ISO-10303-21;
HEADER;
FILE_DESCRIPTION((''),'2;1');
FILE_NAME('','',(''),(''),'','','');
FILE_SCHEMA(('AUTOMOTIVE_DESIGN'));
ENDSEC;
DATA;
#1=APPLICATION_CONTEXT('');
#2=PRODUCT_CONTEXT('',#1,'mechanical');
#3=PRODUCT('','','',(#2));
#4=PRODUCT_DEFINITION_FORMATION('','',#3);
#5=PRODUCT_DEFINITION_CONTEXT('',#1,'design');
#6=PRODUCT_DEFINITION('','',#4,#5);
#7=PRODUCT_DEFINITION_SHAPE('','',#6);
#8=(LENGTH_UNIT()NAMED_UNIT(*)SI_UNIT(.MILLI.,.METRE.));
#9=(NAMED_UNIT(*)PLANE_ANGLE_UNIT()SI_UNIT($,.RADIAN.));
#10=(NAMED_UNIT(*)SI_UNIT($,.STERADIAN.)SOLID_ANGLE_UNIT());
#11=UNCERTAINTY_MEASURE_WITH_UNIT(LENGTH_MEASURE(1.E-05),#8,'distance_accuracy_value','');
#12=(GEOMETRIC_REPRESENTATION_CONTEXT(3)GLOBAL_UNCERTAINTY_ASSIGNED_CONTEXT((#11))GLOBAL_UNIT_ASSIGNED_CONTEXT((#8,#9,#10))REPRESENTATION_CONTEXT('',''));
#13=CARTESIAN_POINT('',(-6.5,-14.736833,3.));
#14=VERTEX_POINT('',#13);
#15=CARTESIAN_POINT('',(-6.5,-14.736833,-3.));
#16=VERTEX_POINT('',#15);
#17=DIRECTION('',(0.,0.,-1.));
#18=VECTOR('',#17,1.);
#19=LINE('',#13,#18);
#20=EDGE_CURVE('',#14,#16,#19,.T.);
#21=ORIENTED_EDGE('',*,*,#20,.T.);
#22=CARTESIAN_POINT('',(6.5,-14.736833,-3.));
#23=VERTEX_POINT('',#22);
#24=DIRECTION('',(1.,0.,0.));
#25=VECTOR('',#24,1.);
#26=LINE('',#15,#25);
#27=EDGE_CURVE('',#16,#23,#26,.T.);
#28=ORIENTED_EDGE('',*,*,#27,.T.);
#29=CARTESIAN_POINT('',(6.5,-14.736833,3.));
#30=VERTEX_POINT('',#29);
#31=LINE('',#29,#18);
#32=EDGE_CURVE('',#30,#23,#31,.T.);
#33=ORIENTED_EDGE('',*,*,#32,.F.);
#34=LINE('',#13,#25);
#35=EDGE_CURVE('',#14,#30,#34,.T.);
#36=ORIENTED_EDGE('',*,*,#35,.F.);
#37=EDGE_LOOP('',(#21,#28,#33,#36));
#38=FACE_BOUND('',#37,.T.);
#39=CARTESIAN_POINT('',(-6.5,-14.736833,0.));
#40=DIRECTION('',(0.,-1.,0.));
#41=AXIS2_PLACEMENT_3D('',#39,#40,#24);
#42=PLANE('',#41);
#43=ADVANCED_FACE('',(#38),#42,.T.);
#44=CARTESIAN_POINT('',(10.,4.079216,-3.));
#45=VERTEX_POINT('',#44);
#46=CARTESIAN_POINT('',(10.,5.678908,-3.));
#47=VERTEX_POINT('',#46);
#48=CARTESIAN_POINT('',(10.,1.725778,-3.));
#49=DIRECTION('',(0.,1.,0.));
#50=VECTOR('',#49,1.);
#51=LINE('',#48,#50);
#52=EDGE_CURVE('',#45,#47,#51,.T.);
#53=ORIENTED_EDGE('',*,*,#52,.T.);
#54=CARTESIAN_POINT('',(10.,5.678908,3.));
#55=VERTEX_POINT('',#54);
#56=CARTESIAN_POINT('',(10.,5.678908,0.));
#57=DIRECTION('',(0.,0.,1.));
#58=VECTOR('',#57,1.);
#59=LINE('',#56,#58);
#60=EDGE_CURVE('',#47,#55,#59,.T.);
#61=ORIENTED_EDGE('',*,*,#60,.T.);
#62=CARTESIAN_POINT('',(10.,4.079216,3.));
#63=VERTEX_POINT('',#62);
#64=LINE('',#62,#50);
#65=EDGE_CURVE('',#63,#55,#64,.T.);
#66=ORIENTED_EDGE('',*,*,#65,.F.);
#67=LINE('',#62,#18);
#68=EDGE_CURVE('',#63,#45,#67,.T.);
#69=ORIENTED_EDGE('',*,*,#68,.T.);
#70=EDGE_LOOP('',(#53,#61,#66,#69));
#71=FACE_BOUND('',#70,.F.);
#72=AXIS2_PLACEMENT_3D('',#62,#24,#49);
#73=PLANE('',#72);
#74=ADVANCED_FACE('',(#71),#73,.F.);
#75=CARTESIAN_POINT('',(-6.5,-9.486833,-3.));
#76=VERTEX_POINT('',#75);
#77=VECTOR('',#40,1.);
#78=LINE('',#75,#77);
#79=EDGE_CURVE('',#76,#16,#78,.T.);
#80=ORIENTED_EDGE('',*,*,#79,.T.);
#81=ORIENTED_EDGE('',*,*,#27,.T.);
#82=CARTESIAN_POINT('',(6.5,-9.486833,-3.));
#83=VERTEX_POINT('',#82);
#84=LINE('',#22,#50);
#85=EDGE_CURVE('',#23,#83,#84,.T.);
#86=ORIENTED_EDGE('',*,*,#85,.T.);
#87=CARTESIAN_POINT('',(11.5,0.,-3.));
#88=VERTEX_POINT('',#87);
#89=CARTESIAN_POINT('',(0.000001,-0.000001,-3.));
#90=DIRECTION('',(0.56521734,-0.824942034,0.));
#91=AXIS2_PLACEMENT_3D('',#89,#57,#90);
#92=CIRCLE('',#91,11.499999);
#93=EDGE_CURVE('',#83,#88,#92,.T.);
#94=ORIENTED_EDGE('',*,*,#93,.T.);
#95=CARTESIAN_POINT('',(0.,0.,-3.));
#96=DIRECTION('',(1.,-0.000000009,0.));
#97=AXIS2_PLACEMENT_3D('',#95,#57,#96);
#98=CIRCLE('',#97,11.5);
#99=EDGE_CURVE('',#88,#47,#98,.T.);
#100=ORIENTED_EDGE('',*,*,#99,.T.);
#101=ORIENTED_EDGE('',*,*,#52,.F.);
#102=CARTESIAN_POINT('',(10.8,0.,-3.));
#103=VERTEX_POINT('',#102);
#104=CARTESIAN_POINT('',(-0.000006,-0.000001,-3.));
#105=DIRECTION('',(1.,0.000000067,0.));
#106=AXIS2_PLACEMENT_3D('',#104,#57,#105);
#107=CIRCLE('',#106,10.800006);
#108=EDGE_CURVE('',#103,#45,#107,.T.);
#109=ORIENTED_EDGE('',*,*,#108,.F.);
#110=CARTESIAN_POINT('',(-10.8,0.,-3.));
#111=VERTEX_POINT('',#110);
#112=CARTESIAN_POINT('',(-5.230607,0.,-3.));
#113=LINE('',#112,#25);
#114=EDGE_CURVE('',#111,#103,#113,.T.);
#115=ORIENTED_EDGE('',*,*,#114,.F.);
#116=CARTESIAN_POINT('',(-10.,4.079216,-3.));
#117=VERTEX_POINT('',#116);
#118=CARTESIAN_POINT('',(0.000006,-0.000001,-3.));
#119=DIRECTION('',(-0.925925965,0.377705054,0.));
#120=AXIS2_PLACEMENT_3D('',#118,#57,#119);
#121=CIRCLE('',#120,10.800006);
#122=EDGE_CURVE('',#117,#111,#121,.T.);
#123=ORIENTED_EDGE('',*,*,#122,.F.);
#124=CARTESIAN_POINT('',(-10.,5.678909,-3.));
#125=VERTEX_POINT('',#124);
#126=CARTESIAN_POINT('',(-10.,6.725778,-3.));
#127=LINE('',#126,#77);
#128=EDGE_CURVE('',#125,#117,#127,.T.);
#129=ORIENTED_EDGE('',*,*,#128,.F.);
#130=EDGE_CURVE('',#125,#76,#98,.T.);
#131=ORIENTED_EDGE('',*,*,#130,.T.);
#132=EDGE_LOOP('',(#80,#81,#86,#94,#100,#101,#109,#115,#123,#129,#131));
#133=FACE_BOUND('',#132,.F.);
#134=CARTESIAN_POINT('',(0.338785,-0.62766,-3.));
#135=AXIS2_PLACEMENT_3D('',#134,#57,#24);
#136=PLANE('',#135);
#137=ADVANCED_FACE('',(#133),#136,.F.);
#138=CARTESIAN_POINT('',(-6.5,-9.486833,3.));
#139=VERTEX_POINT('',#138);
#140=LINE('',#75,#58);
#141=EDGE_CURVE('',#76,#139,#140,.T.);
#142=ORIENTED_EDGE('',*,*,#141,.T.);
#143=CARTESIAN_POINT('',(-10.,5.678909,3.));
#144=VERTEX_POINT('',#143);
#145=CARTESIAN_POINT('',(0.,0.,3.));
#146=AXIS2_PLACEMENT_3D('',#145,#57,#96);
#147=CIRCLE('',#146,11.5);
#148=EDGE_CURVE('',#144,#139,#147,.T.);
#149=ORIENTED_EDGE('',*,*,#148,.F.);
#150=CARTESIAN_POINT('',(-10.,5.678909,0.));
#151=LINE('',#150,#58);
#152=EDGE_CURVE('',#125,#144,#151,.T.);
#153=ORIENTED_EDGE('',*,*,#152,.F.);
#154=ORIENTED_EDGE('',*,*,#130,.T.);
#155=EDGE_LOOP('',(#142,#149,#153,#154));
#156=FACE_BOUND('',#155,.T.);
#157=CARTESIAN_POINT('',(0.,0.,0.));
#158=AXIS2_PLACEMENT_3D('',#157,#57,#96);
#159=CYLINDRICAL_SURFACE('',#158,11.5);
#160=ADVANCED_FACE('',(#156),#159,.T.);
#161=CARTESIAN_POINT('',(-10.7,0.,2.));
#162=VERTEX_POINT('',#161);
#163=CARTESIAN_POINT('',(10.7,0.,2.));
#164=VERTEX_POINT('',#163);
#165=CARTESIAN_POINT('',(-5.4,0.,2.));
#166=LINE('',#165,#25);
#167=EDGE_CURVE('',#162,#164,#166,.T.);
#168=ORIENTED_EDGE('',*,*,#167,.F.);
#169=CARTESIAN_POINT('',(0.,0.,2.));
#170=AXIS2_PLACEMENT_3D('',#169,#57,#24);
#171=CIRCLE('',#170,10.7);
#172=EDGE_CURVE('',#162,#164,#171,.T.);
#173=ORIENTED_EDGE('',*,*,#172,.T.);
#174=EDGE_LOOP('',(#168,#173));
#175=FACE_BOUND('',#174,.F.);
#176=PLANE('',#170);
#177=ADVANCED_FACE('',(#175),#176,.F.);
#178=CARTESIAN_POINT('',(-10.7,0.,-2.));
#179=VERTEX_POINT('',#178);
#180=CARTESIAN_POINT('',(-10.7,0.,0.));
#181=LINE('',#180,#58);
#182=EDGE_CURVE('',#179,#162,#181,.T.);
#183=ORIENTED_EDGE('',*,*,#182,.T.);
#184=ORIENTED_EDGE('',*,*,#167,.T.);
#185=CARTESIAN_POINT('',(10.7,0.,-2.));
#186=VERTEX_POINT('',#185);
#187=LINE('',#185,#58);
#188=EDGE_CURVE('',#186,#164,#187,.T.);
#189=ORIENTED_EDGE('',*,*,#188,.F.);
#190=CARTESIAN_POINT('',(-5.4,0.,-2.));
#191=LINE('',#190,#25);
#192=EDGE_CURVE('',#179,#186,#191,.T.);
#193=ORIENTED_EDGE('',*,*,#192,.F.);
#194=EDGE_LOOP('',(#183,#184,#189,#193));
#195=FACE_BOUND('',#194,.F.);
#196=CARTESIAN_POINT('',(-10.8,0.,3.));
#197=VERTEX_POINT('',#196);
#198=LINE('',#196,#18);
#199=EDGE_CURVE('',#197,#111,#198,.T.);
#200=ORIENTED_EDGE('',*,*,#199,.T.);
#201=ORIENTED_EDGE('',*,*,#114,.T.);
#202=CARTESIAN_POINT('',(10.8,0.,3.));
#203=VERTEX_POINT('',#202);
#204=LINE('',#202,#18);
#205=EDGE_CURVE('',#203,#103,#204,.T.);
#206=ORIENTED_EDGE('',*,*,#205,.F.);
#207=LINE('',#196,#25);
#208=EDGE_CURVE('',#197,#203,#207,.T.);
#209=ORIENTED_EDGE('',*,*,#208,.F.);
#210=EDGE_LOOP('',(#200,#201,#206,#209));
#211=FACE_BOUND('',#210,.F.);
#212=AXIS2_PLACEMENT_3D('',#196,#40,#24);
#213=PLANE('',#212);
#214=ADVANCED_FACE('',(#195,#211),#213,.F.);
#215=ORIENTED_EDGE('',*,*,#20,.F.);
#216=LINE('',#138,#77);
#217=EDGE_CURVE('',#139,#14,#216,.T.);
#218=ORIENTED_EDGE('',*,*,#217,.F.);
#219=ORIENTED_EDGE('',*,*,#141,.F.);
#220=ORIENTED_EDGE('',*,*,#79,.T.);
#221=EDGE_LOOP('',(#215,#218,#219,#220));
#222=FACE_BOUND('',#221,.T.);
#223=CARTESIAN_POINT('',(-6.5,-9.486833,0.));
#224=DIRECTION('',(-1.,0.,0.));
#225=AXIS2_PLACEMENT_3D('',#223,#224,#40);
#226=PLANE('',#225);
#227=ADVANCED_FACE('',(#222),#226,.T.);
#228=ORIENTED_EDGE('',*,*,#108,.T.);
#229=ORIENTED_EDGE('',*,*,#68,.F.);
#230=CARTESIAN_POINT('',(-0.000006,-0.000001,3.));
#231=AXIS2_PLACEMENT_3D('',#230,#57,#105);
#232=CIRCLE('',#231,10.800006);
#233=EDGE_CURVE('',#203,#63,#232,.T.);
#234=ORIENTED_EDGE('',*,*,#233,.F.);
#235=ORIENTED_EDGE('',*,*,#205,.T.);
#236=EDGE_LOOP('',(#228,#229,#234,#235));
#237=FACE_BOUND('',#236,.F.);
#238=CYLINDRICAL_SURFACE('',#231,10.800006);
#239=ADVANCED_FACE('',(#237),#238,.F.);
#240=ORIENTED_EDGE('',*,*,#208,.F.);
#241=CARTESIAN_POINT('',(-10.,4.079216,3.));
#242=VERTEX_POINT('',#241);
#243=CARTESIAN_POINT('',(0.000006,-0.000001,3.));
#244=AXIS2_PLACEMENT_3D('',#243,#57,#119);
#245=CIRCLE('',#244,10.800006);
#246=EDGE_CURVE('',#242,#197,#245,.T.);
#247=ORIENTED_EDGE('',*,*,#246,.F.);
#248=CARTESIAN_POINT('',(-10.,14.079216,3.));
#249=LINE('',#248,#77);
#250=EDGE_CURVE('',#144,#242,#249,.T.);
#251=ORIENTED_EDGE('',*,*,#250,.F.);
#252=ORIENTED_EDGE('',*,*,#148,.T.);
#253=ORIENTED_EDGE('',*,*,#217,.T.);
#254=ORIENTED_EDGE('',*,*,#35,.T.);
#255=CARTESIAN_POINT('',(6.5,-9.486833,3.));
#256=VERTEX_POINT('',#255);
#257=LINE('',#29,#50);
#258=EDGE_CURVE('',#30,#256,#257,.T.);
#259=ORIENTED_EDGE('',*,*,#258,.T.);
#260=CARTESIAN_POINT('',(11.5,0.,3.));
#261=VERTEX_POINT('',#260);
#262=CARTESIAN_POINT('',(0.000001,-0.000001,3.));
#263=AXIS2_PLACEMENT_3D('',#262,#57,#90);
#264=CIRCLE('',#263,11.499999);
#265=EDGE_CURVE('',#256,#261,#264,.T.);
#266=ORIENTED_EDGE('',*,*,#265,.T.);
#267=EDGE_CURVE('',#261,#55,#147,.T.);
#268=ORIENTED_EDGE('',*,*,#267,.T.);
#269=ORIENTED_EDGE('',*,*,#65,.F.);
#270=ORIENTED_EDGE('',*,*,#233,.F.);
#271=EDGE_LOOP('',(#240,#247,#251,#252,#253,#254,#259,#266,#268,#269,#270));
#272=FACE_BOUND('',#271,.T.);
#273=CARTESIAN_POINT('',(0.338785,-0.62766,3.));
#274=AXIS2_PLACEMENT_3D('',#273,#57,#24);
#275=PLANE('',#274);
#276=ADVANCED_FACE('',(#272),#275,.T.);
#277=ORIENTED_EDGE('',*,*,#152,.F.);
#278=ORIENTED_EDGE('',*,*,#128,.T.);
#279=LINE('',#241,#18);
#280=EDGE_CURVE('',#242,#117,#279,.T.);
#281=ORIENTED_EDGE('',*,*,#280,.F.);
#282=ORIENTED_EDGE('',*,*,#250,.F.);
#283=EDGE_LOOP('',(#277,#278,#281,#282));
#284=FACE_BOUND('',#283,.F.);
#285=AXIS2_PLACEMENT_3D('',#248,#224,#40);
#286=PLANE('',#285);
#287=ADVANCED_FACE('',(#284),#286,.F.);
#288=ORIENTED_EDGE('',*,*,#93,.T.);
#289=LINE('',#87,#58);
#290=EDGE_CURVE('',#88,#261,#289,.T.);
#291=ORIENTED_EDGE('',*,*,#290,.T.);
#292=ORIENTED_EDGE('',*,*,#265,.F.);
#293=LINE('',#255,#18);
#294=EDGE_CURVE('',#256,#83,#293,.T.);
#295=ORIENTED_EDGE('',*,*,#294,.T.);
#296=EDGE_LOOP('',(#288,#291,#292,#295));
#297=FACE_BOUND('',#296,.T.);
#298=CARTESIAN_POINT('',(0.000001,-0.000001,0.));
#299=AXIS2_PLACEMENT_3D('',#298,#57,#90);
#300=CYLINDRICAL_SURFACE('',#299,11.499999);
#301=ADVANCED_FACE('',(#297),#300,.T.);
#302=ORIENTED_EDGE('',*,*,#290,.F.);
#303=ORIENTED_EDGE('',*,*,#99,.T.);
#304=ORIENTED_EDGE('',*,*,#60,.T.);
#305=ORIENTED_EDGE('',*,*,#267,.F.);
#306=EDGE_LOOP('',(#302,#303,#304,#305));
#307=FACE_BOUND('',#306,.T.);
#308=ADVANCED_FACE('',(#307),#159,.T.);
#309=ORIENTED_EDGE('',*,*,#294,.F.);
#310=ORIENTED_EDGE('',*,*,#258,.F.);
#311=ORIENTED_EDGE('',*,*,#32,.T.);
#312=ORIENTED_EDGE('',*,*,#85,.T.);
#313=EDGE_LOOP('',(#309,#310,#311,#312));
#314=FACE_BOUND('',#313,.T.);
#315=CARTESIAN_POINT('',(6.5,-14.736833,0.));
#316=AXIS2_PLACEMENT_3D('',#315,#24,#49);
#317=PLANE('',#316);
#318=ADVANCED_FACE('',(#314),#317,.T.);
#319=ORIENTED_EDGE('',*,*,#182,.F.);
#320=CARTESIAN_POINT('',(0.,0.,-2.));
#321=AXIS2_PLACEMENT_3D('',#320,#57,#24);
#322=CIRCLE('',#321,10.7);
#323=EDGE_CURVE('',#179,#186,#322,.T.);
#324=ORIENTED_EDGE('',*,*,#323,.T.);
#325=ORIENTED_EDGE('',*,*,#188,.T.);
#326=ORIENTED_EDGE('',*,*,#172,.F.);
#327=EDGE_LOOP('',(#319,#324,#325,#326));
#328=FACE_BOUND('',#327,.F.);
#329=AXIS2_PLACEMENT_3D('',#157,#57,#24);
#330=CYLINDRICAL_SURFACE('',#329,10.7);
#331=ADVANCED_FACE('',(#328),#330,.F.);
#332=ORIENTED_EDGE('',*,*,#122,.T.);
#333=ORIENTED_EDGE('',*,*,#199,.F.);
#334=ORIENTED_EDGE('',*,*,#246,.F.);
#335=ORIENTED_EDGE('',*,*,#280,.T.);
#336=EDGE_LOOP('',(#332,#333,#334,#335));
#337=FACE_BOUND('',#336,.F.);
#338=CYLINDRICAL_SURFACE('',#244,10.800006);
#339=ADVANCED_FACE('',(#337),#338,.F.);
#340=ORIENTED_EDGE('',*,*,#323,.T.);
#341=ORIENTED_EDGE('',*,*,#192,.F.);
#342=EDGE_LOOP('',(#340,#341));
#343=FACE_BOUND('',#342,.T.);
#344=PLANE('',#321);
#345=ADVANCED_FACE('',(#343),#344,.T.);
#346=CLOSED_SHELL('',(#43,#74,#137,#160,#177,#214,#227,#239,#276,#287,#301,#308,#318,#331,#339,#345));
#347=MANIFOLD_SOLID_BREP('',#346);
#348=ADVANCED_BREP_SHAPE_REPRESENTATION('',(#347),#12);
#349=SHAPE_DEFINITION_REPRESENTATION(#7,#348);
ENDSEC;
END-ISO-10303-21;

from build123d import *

# Parameters (mm, degrees)
F1_DEPTH = 3
F2_R     = 10.7
F3_DEPTH = 2
F5_DEPTH = 6.001


with BuildPart() as f1:
    # F0 (on Top) → F1 (new body, symmetric)
    with BuildSketch(Plane.XY):
        with BuildLine():
            ThreePointArc((6.5, -9.486833), (10.173495, -5.361903), (11.5, 0))
            ThreePointArc((11.5, 0), (-5.361903, 10.173495), (-6.5, -9.486833))
            ThreePointArc((-6.5, -9.486833), (0, -11.5), (6.5, -9.486833))
        make_face()
        with BuildLine():
            ThreePointArc((6.5, -9.486833), (0, -11.5), (-6.5, -9.486833))
            Line((-6.5, -9.486833), (-6.5, -14.736833))
            Line((-6.5, -14.736833), (6.5, -14.736833))
            Line((6.5, -14.736833), (6.5, -9.486833))
        make_face()
    extrude(amount=F1_DEPTH, both=True)

    # F2 (on Top) → F3 (cut, symmetric)
    with BuildSketch(Plane.XY):
        Circle(F2_R)
    extrude(amount=F3_DEPTH, both=True, mode=Mode.SUBTRACT)

    # F4 (on face) → F5 (cut, through all)
    with BuildSketch(Plane.XY.offset(3)):
        with BuildLine():
            Line((-10.8, 0), (10.8, 0))
            ThreePointArc((10.8, 0), (10.598113, 2.078461), (10, 4.079216))
            Line((10, 4.079216), (10, 14.079216))
            Line((10, 14.079216), (-10, 14.079216))
            Line((-10, 14.079216), (-10, 4.079216))
            ThreePointArc((-10, 4.079216), (-10.598113, 2.078461), (-10.8, 0))
        make_face()
    extrude(amount=-F5_DEPTH, mode=Mode.SUBTRACT)


solid = f1.part
